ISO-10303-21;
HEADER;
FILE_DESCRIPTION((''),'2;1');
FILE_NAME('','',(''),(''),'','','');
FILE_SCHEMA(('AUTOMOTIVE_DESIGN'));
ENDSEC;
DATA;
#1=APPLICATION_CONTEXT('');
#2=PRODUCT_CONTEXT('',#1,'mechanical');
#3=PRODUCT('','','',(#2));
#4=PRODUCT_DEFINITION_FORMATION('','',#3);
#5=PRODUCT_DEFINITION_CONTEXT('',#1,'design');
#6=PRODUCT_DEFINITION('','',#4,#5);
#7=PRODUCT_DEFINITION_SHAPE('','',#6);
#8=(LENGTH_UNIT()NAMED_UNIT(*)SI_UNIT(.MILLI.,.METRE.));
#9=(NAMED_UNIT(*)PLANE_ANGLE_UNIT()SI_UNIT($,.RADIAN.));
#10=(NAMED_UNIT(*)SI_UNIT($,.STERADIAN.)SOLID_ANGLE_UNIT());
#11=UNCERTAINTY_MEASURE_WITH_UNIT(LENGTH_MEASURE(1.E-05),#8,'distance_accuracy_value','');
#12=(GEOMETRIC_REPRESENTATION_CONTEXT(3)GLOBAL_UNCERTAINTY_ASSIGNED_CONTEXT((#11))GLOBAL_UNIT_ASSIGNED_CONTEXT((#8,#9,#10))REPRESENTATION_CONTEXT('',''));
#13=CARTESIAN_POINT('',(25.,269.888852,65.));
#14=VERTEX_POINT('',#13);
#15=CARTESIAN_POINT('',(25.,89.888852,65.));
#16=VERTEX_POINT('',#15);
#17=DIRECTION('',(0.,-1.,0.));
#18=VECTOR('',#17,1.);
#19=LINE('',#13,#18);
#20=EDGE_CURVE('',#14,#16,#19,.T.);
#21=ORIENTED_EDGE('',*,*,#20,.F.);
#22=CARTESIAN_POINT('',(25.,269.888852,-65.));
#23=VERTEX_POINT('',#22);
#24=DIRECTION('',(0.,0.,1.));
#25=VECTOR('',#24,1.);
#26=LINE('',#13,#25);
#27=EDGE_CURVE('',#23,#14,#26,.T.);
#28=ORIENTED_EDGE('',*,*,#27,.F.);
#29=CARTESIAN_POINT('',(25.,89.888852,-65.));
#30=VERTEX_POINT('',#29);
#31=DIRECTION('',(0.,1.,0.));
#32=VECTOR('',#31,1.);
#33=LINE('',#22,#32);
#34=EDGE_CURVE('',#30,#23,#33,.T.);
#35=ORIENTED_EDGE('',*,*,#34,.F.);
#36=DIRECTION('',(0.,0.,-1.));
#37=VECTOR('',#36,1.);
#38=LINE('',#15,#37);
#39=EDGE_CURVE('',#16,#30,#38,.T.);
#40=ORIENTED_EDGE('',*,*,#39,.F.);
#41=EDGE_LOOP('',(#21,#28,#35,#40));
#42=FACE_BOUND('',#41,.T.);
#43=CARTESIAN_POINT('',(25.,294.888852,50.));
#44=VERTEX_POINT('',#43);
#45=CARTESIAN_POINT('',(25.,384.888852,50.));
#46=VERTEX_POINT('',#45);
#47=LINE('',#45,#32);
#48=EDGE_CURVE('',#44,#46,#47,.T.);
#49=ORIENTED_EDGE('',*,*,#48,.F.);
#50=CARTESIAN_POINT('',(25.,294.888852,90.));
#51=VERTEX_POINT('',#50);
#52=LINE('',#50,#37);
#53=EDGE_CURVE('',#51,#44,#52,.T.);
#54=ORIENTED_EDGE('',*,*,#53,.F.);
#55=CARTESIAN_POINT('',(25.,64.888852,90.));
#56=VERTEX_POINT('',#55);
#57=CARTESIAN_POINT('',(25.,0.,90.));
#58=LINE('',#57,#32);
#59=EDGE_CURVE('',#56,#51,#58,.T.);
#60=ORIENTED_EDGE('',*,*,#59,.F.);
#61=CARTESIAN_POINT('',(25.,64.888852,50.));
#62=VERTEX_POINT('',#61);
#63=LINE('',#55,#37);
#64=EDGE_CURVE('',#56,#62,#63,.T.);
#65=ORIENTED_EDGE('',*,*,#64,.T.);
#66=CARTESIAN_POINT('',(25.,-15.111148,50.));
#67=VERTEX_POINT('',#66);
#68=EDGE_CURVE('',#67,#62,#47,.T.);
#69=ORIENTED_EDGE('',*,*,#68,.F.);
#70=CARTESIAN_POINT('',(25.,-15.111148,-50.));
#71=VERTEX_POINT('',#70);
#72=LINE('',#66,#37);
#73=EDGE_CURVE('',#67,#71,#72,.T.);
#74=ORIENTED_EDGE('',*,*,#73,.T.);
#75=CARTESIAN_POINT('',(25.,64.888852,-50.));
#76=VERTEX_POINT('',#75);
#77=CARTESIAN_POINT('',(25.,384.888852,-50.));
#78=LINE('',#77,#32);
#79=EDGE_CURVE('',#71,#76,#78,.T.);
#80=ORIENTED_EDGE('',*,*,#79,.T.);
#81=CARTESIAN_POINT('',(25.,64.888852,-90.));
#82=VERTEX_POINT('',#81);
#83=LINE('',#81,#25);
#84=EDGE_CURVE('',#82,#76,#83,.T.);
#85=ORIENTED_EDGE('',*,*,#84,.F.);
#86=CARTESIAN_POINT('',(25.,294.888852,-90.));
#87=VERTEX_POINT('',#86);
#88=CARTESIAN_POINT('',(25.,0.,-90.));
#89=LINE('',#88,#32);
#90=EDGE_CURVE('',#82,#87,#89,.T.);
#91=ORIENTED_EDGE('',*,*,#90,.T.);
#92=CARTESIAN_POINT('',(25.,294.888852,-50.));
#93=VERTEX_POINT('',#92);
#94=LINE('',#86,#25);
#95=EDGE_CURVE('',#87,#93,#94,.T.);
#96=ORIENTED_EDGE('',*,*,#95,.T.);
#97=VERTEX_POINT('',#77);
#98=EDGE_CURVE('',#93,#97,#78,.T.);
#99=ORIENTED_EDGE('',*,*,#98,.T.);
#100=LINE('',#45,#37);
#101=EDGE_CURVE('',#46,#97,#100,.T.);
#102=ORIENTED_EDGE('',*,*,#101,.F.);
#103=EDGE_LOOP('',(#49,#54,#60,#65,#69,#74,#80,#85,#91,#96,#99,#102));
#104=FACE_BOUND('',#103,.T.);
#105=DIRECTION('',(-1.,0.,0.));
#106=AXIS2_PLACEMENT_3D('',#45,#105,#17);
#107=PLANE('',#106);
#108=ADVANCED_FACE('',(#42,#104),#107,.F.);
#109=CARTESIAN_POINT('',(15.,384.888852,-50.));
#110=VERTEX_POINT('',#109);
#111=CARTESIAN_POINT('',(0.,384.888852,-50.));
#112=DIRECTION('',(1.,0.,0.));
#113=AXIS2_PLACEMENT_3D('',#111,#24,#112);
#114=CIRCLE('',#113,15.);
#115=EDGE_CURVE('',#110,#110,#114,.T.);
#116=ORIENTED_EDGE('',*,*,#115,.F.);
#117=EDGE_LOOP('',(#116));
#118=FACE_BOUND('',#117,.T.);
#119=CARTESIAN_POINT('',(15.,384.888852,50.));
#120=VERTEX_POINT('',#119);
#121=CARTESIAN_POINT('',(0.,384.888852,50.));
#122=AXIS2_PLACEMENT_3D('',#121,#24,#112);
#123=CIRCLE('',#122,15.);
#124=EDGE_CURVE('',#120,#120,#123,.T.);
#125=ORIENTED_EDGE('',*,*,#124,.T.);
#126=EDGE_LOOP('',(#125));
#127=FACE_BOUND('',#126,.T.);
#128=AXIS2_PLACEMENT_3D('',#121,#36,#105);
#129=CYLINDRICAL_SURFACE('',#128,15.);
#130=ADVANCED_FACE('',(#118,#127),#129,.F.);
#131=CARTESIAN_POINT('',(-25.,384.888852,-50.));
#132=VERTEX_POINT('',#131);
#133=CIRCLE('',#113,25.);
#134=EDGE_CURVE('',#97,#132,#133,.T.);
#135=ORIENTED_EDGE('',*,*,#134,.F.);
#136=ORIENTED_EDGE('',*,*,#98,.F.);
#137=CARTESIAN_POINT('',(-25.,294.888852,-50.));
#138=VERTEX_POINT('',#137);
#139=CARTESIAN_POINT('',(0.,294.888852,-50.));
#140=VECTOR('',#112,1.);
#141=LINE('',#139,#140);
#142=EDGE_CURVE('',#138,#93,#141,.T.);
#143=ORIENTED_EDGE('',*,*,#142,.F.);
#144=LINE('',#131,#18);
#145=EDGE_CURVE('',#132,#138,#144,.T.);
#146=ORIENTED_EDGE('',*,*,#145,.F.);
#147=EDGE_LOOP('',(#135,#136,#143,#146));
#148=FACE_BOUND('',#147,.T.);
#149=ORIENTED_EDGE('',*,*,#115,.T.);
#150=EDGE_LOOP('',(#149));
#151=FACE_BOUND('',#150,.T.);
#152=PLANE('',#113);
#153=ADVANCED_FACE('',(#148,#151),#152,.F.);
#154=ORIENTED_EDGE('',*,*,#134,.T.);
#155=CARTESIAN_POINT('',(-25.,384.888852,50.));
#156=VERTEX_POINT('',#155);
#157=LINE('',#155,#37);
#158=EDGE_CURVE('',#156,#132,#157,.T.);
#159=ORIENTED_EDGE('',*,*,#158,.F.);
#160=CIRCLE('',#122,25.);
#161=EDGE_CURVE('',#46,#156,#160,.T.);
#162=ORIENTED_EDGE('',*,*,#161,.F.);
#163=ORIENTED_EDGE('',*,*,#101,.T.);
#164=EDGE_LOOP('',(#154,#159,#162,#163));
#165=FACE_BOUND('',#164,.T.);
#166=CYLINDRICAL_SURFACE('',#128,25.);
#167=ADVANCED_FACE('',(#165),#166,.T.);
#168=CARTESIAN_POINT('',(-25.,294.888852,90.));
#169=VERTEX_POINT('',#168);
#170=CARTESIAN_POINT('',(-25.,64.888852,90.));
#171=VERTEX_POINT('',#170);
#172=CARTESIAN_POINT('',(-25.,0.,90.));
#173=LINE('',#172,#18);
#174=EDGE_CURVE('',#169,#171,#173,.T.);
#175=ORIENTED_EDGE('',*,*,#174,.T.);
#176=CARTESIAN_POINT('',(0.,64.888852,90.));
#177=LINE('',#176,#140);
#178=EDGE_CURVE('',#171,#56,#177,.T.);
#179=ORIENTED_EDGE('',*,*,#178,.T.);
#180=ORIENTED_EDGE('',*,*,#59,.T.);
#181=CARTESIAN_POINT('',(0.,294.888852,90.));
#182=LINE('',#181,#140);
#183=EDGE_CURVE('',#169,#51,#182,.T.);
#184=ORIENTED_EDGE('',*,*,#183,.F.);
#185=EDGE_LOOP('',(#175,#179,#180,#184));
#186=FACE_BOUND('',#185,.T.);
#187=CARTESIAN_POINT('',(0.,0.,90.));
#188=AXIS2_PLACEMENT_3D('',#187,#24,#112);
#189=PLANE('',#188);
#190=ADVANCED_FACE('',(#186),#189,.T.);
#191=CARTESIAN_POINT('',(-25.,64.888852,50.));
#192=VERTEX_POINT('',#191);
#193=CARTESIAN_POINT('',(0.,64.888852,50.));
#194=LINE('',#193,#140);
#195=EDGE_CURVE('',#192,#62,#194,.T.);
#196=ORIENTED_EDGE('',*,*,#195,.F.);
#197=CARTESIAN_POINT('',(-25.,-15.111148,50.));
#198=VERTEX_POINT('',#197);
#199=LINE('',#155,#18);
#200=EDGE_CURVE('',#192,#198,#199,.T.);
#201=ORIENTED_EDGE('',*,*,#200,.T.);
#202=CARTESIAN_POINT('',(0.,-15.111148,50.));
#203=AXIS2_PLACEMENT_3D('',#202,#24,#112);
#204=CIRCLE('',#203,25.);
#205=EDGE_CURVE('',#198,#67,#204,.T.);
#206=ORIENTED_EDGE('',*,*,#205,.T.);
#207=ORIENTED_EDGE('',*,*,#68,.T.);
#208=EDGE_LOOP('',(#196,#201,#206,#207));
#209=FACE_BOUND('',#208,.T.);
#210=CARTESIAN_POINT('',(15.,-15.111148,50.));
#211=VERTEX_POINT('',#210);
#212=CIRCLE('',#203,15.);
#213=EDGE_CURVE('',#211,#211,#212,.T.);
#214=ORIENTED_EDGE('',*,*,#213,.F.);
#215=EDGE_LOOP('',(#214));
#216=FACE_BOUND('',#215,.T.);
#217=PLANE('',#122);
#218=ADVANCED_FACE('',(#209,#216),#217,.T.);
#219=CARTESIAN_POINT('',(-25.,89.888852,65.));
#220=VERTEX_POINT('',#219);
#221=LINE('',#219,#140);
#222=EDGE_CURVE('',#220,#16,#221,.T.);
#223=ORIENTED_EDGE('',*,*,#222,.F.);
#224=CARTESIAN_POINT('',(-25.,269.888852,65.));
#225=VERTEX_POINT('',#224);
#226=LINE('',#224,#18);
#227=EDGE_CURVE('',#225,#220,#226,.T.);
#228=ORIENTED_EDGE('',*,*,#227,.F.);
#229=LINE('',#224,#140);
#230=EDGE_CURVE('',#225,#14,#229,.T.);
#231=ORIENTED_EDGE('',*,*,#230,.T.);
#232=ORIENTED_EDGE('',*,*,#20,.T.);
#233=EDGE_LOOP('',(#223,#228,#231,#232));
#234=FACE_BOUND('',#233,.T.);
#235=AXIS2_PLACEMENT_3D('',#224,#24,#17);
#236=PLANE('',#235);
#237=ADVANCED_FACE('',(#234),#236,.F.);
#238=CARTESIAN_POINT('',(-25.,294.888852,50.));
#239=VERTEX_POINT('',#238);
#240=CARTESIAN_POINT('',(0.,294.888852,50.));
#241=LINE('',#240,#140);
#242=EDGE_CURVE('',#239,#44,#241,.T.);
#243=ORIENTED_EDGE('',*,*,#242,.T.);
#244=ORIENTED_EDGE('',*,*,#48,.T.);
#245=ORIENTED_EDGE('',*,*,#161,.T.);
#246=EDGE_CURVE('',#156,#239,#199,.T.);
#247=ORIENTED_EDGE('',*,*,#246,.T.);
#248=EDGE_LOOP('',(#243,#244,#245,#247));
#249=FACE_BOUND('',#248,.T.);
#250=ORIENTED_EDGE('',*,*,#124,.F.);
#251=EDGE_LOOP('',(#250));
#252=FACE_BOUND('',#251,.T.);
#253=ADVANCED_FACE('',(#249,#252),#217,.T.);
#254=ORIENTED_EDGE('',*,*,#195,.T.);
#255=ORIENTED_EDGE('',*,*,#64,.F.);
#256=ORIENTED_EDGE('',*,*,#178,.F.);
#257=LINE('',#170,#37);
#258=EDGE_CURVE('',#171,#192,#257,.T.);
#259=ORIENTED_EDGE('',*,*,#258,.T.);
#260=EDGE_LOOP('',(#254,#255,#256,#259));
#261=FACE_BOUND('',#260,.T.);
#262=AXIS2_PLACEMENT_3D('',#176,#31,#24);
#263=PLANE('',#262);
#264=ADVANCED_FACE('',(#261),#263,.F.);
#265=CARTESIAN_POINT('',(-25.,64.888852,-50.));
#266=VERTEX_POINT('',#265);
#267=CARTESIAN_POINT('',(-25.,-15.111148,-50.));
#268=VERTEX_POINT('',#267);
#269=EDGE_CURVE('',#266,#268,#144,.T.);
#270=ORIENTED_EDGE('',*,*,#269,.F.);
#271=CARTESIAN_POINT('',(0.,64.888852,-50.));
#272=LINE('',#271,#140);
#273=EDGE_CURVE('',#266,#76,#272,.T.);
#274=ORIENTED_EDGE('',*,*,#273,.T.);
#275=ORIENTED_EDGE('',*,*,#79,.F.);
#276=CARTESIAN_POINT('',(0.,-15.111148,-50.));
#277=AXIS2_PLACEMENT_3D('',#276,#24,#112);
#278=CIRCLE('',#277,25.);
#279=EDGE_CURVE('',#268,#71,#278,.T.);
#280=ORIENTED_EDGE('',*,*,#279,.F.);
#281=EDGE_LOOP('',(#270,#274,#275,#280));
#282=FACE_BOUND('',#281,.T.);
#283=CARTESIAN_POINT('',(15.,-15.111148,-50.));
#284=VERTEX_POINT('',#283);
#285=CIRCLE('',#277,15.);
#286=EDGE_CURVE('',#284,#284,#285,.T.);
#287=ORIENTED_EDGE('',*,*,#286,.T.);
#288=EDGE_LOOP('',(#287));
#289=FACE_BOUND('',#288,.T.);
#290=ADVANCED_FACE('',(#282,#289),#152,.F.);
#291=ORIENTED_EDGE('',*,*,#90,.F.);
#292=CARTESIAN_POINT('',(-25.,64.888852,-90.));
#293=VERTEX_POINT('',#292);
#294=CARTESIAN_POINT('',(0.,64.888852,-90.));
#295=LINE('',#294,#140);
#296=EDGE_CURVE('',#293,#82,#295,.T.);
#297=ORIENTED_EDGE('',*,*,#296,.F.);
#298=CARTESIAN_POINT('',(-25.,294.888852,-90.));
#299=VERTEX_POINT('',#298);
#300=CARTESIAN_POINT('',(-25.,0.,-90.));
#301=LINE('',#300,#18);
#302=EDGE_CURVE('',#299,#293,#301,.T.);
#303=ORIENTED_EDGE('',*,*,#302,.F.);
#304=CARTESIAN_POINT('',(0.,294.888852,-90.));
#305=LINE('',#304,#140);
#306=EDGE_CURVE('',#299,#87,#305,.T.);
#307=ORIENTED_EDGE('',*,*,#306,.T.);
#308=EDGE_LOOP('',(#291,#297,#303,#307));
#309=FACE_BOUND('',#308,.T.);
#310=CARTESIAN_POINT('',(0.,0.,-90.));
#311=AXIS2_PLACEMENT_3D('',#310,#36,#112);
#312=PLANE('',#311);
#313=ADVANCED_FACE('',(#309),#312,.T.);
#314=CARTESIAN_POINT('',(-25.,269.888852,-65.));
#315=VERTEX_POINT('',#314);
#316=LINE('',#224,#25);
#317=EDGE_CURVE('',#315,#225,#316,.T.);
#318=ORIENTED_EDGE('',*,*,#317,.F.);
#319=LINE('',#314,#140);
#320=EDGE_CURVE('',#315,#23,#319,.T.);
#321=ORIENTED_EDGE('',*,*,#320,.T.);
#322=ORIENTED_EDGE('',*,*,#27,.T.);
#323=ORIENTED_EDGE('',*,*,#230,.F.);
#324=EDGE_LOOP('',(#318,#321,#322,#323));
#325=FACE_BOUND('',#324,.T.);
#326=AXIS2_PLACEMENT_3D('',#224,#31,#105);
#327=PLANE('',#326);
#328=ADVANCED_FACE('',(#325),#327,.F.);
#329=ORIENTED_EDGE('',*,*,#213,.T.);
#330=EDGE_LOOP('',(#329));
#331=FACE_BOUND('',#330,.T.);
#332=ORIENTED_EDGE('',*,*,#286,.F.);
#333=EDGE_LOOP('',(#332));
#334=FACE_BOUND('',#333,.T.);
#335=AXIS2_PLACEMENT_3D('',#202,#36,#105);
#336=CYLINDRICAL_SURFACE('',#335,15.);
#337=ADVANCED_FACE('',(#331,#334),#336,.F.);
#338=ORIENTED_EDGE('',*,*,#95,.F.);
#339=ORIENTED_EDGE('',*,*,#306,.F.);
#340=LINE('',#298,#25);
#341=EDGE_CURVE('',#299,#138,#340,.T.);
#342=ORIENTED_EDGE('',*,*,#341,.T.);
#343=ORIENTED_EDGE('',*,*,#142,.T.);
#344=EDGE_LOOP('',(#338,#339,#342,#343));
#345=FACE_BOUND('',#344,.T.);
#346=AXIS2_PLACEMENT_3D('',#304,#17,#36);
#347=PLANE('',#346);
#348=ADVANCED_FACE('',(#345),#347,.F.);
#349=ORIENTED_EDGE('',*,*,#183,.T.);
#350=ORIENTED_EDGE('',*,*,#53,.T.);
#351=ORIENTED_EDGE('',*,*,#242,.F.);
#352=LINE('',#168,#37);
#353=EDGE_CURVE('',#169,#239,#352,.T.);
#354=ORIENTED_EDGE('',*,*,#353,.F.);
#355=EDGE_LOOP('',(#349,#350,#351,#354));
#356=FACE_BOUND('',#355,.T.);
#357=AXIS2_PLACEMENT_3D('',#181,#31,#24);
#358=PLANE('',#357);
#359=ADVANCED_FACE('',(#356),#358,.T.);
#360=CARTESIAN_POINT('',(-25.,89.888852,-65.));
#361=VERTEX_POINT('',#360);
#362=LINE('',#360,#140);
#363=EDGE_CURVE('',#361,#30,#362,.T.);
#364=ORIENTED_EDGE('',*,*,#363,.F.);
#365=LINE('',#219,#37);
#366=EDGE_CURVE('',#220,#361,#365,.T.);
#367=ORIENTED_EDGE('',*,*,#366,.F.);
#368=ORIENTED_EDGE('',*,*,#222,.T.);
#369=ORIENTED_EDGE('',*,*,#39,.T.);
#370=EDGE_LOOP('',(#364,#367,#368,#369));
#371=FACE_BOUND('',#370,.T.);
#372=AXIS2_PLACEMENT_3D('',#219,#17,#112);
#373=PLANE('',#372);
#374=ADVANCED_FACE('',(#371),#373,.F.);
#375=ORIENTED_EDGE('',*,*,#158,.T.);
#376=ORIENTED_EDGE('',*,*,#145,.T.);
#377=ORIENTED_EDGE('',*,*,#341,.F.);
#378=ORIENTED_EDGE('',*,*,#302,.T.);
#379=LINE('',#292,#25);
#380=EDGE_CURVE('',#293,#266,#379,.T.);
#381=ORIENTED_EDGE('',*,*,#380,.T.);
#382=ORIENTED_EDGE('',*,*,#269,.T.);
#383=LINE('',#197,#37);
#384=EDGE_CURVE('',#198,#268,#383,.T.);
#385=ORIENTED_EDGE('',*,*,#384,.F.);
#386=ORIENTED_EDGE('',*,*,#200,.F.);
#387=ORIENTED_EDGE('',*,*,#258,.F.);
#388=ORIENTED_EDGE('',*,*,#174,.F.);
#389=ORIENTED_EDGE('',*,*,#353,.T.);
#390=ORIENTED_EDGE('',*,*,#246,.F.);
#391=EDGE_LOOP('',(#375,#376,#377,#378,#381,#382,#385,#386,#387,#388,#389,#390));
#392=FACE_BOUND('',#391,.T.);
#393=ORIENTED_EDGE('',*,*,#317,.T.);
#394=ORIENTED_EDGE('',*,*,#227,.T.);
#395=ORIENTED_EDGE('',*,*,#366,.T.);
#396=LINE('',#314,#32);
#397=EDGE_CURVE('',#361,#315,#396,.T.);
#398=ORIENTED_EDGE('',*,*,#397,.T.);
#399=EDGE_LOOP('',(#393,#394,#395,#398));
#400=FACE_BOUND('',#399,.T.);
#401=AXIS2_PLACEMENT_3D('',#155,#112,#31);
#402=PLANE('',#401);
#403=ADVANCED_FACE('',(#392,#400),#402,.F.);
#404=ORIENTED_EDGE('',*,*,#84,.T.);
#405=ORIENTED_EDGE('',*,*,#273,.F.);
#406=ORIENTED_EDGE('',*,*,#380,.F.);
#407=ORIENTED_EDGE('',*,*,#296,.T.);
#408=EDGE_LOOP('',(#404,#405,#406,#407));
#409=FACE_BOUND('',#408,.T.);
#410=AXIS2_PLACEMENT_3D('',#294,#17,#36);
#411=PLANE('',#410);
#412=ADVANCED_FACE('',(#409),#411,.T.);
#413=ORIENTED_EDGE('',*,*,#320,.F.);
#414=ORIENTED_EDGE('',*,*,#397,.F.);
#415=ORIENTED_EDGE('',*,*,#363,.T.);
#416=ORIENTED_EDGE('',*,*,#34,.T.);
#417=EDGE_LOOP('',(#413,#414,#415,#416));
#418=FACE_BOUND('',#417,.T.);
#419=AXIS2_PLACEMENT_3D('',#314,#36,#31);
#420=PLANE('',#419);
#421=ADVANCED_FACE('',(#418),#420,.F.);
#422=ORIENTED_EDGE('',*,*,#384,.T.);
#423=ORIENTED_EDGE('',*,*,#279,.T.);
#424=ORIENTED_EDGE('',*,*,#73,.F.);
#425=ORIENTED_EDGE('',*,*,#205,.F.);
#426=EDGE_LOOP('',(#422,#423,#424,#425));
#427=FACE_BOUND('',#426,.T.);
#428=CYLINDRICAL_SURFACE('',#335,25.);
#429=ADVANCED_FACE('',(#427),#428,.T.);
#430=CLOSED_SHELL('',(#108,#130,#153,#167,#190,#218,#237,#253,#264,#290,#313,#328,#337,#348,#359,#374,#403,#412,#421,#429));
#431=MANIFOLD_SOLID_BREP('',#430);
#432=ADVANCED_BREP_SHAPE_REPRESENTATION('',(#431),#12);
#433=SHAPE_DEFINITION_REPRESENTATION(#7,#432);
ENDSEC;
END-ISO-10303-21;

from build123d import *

# Parameters (mm, degrees)
SCHIZZO1_R                   = 15
ESTRUSIONE_ESTRUSIONE1_DEPTH = 50
SCHIZZO2_W                   = 50
SCHIZZO2_H                   = 230
ESTRUSIONE_ESTRUSIONE2_DEPTH = 40
SCHIZZO3_W                   = 130
SCHIZZO3_H                   = 180
TAGLIO_ESTRUSIONE1_DEPTH     = 423.621427401


with BuildPart() as part:
    # Schizzo1 → Estrusione-Estrusione1 (new, symmetric)
    with BuildSketch(Plane.XY):
        with BuildLine():
            Line((25, 384.888851883), (25, -15.111148117))
            ThreePointArc((25, -15.111148117), (0, -40.111148117), (-25, -15.111148117))
            Line((-25, -15.111148117), (-25, 384.888851883))
            ThreePointArc((-25, 384.888851883), (0, 409.888851883), (25, 384.888851883))
        make_face()
        with Locations((0, 384.888851883)):
            Circle(SCHIZZO1_R, mode=Mode.SUBTRACT)
        with Locations((0, -15.111148117)):
            Circle(SCHIZZO1_R, mode=Mode.SUBTRACT)
    extrude(amount=ESTRUSIONE_ESTRUSIONE1_DEPTH, both=True)

    # Schizzo2 → Estrusione-Estrusione2 (add)
    with BuildSketch(Plane.XY.offset(50)):
        with Locations((0, 179.888851883)):
            Rectangle(SCHIZZO2_W, SCHIZZO2_H)
    estrusione_estrusione2 = extrude(amount=ESTRUSIONE_ESTRUSIONE2_DEPTH)

    # Specchia1: Estrusione-Estrusione2 across plane
    add(estrusione_estrusione2.mirror(Plane.XY))

    # Schizzo3 → Taglio-Estrusione1 (cut, through all)
    with BuildSketch(Plane(origin=(25, 0, 0), x_dir=(0, 0, -1), z_dir=(1, 0, 0))):
        with Locations((0, 179.888851883)):
            Rectangle(SCHIZZO3_W, SCHIZZO3_H)
    extrude(amount=-TAGLIO_ESTRUSIONE1_DEPTH, mode=Mode.SUBTRACT)


solid = part.part
